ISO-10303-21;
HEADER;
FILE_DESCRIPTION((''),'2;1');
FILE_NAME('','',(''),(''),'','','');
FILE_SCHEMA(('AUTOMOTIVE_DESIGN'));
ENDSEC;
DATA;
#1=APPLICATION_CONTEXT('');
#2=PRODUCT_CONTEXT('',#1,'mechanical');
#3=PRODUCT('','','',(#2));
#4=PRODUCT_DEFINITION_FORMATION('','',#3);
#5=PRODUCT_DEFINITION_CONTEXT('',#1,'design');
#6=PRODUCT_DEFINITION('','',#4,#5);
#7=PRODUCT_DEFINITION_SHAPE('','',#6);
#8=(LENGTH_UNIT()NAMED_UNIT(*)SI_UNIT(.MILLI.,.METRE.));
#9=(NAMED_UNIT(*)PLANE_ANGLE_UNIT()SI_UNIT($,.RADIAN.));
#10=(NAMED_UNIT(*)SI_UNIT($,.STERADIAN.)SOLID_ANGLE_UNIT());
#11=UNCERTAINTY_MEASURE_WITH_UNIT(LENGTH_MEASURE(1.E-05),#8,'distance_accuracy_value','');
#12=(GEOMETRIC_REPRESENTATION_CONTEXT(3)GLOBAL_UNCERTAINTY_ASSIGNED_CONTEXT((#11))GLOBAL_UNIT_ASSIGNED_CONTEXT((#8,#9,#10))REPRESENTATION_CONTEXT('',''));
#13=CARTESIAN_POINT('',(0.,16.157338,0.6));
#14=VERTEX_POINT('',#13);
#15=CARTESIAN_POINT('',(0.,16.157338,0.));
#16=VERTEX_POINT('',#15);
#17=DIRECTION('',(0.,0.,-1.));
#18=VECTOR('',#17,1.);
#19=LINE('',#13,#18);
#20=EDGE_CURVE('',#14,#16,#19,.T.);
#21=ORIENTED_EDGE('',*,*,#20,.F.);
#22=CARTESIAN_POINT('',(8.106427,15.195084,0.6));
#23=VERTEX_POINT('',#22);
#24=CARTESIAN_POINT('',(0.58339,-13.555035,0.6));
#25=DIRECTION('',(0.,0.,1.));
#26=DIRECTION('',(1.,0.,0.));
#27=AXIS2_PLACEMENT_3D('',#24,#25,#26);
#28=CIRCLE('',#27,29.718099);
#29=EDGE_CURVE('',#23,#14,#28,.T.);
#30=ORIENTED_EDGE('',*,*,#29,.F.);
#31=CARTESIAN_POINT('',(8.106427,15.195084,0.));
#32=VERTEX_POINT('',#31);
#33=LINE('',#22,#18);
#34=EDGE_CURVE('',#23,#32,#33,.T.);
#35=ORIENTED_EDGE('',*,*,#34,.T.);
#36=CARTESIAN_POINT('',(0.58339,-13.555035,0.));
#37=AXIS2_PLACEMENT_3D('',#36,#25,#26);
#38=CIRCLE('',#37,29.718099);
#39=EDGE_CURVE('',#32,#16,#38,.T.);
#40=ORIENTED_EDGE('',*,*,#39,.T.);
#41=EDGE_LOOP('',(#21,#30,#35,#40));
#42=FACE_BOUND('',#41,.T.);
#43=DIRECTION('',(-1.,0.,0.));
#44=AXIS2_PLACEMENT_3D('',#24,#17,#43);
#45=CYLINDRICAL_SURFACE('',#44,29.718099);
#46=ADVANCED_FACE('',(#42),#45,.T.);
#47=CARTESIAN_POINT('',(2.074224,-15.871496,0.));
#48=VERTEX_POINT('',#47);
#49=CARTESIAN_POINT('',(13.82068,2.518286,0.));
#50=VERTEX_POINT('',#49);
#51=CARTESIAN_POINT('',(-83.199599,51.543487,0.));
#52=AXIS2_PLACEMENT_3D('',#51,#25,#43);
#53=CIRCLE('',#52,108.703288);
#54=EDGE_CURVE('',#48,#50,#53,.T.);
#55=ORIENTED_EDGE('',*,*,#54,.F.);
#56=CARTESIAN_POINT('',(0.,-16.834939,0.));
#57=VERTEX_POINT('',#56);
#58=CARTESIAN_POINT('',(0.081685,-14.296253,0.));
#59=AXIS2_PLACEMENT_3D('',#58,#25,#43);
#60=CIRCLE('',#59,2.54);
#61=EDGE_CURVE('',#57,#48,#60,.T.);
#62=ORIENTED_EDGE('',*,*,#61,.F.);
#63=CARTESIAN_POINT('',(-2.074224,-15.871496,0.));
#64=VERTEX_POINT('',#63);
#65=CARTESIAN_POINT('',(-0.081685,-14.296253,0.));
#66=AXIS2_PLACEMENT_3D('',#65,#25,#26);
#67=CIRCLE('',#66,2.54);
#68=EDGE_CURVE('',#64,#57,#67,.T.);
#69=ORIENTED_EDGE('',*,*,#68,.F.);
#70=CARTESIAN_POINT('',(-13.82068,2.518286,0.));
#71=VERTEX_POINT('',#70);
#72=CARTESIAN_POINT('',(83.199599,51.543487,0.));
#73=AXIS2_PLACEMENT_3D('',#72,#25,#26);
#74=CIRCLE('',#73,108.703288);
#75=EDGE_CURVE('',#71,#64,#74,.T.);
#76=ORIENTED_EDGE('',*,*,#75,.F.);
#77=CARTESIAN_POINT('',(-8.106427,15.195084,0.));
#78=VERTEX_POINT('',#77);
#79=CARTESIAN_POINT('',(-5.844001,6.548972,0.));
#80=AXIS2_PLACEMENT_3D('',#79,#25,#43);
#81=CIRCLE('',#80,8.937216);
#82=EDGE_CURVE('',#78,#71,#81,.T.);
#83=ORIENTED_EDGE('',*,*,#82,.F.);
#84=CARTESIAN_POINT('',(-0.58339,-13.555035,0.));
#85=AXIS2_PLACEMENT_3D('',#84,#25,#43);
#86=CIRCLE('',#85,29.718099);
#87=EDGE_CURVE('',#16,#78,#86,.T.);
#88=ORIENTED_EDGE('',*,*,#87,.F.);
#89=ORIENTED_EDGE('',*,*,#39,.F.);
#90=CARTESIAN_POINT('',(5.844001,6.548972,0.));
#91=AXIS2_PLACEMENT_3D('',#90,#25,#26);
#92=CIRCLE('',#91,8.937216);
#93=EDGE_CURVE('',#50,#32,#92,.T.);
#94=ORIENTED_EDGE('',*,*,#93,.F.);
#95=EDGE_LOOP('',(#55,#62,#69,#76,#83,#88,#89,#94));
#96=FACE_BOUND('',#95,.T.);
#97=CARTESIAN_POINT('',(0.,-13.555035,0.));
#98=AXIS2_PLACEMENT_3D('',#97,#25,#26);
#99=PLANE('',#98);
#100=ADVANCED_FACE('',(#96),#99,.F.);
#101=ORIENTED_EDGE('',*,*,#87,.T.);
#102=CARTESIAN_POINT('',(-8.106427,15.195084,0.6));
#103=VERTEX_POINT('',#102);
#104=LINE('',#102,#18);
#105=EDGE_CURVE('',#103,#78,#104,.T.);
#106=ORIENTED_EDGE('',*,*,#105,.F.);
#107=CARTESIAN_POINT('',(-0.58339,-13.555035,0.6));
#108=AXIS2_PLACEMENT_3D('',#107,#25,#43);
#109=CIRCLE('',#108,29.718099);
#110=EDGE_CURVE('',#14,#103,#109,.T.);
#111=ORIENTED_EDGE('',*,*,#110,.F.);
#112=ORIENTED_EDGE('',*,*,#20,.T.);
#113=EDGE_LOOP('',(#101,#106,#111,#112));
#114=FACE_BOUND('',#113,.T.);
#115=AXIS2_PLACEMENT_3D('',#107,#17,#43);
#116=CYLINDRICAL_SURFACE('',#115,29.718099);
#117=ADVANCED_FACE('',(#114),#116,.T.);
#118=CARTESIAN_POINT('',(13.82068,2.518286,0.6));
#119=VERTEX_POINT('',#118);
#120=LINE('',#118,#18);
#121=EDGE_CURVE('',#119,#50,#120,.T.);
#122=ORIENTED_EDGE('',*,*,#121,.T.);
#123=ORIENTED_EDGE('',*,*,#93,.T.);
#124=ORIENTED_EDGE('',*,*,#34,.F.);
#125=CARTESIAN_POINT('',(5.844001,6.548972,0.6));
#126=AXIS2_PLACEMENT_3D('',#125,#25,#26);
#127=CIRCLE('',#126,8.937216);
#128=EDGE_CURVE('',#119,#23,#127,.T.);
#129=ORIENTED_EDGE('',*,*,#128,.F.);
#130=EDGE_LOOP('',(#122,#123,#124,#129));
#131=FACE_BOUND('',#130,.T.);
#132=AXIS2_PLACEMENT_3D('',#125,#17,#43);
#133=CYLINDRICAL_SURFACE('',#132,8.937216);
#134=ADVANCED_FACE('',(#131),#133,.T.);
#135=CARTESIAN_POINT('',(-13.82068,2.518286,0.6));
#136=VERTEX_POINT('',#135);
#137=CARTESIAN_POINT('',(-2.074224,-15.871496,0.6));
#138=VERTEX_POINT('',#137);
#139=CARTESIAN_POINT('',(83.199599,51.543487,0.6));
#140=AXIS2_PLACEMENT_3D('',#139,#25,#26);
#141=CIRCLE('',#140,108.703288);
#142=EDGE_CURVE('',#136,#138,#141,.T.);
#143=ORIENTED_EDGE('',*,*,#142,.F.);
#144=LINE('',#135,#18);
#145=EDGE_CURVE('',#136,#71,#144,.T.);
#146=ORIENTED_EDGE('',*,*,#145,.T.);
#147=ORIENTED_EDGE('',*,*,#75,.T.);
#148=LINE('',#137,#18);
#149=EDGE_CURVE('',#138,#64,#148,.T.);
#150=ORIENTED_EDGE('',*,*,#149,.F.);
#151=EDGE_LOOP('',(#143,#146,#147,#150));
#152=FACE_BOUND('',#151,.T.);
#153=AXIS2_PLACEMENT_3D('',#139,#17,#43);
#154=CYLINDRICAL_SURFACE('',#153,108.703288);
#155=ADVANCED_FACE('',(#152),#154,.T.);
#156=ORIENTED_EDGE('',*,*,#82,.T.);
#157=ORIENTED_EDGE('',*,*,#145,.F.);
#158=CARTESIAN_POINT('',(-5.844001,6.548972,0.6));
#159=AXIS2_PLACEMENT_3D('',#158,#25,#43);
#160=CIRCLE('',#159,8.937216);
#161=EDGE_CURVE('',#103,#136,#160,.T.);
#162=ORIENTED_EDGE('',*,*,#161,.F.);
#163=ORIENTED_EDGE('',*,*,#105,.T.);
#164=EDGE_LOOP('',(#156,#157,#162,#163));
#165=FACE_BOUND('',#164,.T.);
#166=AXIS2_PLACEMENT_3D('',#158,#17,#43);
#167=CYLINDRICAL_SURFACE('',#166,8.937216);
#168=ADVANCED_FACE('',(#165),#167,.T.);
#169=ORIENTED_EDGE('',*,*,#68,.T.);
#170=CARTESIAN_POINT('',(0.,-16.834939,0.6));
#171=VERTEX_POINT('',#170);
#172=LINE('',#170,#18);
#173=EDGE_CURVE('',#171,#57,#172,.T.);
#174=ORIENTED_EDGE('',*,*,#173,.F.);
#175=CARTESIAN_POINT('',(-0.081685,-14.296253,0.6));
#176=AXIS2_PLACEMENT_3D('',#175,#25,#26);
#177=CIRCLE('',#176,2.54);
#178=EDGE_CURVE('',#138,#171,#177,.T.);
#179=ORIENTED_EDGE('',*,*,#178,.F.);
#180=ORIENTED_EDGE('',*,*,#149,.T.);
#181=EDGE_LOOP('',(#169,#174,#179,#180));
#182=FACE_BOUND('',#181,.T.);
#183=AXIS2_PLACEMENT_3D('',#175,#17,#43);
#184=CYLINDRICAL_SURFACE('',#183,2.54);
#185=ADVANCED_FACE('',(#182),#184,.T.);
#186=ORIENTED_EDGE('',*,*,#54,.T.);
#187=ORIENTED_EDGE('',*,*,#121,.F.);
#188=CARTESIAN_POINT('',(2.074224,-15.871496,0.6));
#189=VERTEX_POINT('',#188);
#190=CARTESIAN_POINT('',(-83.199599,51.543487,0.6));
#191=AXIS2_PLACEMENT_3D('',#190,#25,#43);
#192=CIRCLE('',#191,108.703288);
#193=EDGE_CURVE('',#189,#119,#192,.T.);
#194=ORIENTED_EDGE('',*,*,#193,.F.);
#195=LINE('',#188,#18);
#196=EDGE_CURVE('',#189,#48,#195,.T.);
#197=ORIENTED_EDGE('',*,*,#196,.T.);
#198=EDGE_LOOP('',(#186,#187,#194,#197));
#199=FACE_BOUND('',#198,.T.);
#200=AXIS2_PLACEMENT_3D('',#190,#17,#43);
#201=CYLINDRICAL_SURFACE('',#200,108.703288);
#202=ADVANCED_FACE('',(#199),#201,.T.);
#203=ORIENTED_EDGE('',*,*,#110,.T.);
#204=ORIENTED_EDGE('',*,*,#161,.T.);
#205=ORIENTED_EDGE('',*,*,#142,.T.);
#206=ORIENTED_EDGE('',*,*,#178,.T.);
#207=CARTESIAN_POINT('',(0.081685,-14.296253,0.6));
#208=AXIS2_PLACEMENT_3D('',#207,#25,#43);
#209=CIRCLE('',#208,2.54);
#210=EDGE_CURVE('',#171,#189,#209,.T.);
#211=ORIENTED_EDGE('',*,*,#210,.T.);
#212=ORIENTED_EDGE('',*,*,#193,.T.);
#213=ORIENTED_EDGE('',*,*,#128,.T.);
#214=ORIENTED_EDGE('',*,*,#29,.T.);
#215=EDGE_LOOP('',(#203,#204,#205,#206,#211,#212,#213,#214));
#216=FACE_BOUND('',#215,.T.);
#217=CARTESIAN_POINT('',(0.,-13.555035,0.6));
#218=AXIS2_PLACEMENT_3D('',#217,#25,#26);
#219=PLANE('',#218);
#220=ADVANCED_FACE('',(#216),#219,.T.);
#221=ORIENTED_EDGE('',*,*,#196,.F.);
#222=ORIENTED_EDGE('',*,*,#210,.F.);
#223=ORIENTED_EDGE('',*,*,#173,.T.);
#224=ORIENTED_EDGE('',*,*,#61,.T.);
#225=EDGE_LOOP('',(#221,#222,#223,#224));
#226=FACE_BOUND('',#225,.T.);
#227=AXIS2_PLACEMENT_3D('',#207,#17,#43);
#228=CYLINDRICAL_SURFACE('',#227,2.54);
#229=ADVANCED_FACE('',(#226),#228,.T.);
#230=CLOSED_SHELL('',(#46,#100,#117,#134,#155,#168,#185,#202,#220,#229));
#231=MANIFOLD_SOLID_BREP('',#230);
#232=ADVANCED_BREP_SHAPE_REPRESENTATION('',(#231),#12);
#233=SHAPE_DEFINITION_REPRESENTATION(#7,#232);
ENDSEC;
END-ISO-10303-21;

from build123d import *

# Parameters (mm, degrees)
BOSS_EXTRUDE2_DEPTH = 0.6


with BuildPart() as part:
    # Sketch2 → Boss-Extrude2 (new body)
    with BuildSketch(Plane.XY):
        with BuildLine():
            ThreePointArc((2.074223627, -15.871495922), (1.151683238, -16.599881603), (0, -16.834939442))
            ThreePointArc((0, -16.834939442), (-1.151683238, -16.599881603), (-2.074223627, -15.871495922))
            ThreePointArc((-2.074223627, -15.871495922), (-8.410066736, -6.972099792), (-13.820679581, 2.518286292))
            ThreePointArc((-13.820679581, 2.518286292), (-13.991707448, 10.221670001), (-8.106427403, 15.195084311))
            ThreePointArc((-8.106427403, 15.195084311), (-4.08641149, 15.955883205), (0, 16.157338))
            ThreePointArc((0, 16.157338), (4.08641149, 15.955883205), (8.106427403, 15.195084311))
            ThreePointArc((8.106427403, 15.195084311), (13.991707448, 10.221670001), (13.820679581, 2.518286292))
            ThreePointArc((13.820679581, 2.518286292), (8.410066736, -6.972099792), (2.074223627, -15.871495922))
        make_face()
    extrude(amount=BOSS_EXTRUDE2_DEPTH)


solid = part.part
